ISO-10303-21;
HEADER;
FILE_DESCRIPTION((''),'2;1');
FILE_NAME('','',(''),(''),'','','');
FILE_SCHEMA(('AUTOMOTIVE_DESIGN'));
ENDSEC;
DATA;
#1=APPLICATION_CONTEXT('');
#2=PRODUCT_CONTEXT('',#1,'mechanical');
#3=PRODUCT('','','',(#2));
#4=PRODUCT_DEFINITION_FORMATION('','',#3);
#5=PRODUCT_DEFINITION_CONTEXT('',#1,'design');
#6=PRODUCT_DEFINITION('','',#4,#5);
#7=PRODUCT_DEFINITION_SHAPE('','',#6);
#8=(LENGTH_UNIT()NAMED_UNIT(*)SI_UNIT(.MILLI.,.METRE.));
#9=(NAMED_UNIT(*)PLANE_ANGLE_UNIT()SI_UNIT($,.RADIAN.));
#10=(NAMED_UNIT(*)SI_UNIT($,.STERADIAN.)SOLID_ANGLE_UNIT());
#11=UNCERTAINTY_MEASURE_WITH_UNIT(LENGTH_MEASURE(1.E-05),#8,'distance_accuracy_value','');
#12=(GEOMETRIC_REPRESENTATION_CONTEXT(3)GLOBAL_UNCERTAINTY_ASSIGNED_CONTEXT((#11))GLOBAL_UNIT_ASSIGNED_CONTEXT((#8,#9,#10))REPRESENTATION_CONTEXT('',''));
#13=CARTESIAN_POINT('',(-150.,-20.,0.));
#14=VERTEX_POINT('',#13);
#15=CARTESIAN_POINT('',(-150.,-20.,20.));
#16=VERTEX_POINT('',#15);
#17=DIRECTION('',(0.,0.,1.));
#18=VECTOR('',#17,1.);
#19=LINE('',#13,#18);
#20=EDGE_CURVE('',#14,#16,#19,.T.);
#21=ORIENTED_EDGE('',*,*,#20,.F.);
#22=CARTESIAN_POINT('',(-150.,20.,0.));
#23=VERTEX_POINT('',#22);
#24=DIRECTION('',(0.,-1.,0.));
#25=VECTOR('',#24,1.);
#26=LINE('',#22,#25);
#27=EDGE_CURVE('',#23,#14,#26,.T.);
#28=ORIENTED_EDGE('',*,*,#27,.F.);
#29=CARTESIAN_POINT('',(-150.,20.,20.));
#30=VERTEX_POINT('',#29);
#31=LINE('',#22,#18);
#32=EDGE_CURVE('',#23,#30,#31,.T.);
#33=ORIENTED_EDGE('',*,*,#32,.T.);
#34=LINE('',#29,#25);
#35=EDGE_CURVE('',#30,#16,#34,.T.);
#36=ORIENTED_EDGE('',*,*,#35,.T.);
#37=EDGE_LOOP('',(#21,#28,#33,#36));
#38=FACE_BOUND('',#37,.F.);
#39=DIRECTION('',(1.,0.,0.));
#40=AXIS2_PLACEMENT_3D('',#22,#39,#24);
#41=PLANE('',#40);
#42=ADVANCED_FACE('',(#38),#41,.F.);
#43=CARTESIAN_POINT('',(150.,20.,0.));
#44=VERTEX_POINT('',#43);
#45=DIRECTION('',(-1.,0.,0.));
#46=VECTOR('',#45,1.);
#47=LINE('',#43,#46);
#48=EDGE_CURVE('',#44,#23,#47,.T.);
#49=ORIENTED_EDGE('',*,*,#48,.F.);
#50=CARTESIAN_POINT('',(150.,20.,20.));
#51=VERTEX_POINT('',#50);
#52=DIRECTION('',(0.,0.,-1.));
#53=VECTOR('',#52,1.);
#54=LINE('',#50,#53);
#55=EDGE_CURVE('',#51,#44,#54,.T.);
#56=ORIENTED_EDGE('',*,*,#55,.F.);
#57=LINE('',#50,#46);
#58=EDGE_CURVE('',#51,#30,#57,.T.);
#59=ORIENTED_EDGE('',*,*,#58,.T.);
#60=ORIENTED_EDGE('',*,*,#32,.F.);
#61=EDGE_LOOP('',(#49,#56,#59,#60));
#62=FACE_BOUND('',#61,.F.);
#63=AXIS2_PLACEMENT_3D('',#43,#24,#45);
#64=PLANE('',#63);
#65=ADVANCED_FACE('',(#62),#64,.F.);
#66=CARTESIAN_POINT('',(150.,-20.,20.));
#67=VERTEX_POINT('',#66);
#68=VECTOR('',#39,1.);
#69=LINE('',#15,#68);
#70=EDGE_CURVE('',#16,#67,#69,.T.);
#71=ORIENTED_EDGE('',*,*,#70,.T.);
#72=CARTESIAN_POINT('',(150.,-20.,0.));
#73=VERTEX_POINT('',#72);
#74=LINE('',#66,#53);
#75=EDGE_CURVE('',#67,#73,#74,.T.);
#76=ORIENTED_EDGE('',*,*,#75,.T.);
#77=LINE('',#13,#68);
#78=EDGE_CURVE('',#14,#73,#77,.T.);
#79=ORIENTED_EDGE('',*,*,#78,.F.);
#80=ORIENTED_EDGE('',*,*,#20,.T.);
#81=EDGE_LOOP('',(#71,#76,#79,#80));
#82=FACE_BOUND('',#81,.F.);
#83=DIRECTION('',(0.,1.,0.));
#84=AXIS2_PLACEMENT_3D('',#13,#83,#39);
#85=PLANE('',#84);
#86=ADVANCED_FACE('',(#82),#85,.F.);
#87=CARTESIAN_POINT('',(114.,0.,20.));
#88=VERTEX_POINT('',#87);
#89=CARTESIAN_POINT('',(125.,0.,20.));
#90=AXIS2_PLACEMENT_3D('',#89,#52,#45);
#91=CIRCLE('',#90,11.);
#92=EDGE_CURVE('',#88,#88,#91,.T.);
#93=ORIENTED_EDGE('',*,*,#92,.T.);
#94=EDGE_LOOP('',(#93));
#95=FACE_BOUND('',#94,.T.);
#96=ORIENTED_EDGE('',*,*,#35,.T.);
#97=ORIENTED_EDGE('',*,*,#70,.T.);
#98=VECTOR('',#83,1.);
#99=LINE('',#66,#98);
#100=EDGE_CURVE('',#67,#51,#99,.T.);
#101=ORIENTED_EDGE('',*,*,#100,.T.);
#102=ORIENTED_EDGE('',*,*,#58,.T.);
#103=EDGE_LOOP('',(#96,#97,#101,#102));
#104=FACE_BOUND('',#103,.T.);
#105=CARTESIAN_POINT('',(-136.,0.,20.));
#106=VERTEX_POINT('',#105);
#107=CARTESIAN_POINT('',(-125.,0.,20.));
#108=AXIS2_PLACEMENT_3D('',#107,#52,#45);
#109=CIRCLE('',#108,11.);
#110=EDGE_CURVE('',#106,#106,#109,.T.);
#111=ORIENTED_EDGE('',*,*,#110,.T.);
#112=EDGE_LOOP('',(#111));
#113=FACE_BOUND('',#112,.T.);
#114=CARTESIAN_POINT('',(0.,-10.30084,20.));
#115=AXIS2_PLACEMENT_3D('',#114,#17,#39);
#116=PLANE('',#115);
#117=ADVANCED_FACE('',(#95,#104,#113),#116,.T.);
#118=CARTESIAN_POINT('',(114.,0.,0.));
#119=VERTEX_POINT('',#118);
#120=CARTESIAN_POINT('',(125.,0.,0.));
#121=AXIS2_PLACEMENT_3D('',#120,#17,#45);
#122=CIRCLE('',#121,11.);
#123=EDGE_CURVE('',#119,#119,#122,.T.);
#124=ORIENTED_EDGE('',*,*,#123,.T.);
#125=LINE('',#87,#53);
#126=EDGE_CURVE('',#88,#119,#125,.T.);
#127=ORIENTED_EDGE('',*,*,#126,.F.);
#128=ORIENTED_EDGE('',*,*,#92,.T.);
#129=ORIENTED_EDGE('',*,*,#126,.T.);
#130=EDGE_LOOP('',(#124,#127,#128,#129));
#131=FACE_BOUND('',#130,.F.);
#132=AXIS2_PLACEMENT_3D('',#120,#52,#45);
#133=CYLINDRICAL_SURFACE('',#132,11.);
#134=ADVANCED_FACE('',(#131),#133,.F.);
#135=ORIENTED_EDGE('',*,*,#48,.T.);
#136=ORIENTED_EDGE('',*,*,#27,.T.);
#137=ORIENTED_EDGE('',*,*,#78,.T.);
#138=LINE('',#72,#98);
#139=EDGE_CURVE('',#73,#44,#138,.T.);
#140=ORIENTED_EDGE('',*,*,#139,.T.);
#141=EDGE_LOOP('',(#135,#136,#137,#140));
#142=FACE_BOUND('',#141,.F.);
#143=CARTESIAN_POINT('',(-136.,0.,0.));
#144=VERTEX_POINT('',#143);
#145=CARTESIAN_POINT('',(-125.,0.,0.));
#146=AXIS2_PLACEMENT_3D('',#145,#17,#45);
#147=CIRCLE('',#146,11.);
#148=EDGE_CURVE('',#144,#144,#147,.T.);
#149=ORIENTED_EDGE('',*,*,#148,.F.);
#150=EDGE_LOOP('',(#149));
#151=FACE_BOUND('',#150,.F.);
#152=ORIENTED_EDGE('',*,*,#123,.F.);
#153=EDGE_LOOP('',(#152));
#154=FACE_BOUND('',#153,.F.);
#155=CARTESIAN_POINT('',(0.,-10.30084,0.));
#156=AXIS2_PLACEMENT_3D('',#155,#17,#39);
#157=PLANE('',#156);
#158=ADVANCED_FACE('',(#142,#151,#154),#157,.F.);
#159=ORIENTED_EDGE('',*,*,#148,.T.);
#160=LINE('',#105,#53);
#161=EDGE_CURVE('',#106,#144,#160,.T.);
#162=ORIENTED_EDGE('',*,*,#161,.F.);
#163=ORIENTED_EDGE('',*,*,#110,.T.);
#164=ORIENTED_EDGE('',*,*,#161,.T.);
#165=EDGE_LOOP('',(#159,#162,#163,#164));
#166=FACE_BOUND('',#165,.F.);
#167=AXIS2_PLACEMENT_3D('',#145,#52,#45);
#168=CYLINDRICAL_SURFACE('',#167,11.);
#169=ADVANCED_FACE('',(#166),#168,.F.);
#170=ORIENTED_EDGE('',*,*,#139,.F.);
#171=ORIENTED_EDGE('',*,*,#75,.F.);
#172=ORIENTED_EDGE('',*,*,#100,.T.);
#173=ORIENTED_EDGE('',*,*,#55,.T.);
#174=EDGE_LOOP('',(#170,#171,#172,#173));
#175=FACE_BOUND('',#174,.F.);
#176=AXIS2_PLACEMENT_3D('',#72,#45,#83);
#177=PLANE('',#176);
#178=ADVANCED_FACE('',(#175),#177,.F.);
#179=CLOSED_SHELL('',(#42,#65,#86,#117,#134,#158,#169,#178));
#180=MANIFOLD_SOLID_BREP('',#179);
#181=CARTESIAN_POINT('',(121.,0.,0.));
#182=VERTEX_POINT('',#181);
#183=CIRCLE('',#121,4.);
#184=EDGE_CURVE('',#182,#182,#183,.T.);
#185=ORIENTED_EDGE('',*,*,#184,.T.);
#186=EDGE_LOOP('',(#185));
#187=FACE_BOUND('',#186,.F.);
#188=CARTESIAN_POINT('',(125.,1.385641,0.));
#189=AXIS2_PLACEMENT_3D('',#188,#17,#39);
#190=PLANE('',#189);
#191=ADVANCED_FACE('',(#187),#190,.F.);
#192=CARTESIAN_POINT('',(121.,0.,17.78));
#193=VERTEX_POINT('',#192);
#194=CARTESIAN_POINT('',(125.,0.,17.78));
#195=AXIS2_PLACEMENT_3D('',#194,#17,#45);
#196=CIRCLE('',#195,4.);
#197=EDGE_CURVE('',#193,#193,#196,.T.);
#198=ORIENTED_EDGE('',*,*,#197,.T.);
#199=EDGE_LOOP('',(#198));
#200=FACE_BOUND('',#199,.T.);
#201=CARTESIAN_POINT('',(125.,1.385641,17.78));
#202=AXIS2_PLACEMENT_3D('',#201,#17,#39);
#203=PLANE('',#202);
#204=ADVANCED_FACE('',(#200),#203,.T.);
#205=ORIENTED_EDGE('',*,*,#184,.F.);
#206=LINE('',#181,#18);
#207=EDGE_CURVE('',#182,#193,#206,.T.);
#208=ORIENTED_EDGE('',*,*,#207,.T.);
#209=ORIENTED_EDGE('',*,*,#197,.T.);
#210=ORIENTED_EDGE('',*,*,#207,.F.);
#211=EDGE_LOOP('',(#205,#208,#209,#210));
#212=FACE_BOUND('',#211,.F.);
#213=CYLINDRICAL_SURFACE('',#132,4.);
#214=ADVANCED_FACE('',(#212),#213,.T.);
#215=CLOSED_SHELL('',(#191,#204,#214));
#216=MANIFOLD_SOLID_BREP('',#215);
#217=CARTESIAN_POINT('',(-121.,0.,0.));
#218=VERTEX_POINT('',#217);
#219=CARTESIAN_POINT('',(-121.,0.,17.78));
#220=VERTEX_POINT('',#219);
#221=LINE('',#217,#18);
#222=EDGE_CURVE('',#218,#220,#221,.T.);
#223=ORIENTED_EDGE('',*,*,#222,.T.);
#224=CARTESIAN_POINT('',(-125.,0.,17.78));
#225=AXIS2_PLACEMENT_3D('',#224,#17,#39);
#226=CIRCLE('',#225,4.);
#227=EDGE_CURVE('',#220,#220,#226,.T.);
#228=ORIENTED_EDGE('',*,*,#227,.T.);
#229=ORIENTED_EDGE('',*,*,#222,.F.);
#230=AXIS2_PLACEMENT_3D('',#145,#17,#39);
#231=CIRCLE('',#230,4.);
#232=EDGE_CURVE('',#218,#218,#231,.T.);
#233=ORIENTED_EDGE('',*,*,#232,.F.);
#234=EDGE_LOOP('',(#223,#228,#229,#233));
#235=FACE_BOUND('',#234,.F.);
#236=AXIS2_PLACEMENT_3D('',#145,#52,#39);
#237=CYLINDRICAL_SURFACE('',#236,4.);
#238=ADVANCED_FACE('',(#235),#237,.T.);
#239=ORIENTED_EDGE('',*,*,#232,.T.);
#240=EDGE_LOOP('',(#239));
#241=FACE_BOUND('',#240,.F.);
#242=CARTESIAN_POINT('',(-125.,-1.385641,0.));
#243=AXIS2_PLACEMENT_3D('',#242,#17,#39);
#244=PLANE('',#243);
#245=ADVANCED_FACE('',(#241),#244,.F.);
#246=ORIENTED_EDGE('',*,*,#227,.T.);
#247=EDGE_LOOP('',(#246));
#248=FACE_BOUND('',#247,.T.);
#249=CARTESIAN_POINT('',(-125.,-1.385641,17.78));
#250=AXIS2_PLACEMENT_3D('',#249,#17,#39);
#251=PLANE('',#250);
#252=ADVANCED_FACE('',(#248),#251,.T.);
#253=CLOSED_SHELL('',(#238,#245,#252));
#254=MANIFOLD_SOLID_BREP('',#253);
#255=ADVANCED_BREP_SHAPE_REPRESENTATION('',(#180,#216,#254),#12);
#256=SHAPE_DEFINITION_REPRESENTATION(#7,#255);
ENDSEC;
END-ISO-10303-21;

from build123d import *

# Parameters (mm, degrees)
F1_DEPTH = 20
F2_DEPTH = 17.78


with BuildPart() as f1:
    # F0 (on Top) → F1 (new body)
    with BuildSketch(Plane.XY):
        with BuildLine():
            Line((150, -20), (150, 0))
            Line((150, 0), (136, 0))
            ThreePointArc((136, 0), (125, -11), (114, 0))
            Line((114, 0), (-114, 0))
            ThreePointArc((-114, 0), (-125, -11), (-136, 0))
            Line((-136, 0), (-150, 0))
            Line((-150, 0), (-150, -20))
            Line((-150, -20), (150, -20))
        make_face()
        with BuildLine():
            Line((150, 0), (150, 20))
            Line((150, 20), (125, 20))
            Line((125, 20), (-125, 20))
            Line((-125, 20), (-150, 20))
            Line((-150, 20), (-150, 0))
            Line((-150, 0), (-136, 0))
            ThreePointArc((-136, 0), (-125, 11), (-114, 0))
            Line((-114, 0), (114, 0))
            ThreePointArc((114, 0), (125, 11), (136, 0))
            Line((136, 0), (150, 0))
        make_face()
    extrude(amount=F1_DEPTH)

    # F0 (on Top) → F2 (join)
    with BuildSketch(Plane.XY):
        with BuildLine():
            Line((150, 0), (150, 20))
            Line((150, 20), (125, 20))
            Line((125, 20), (-125, 20))
            Line((-125, 20), (-150, 20))
            Line((-150, 20), (-150, 0))
            Line((-150, 0), (-136, 0))
            ThreePointArc((-136, 0), (-125, 11), (-114, 0))
            Line((-114, 0), (114, 0))
            ThreePointArc((114, 0), (125, 11), (136, 0))
            Line((136, 0), (150, 0))
        make_face()
        with BuildLine():
            Line((150, -20), (150, 0))
            Line((150, 0), (136, 0))
            ThreePointArc((136, 0), (125, -11), (114, 0))
            Line((114, 0), (-114, 0))
            ThreePointArc((-114, 0), (-125, -11), (-136, 0))
            Line((-136, 0), (-150, 0))
            Line((-150, 0), (-150, -20))
            Line((-150, -20), (150, -20))
        make_face()
    extrude(amount=F2_DEPTH)


with BuildPart() as f2:
    # F0 (on Top) → F2, piece 2 (new body)
    with BuildSketch(Plane.XY):
        with BuildLine():
            ThreePointArc((-129, 0), (-125, -4), (-121, 0))
            Line((-121, 0), (-129, 0))
        make_face()
        with BuildLine():
            Line((-129, 0), (-121, 0))
            ThreePointArc((-121, 0), (-125, 4), (-129, 0))
        make_face()
    extrude(amount=F2_DEPTH)


with BuildPart() as f2b:
    # F0 (on Top) → F2, piece 3 (new body)
    with BuildSketch(Plane.XY):
        with BuildLine():
            Line((121, 0), (129, 0))
            ThreePointArc((129, 0), (125, 4), (121, 0))
        make_face()
        with BuildLine():
            ThreePointArc((121, 0), (125, -4), (129, 0))
            Line((129, 0), (121, 0))
        make_face()
    extrude(amount=F2_DEPTH)


solid = Compound([f1.part, f2.part, f2b.part])
